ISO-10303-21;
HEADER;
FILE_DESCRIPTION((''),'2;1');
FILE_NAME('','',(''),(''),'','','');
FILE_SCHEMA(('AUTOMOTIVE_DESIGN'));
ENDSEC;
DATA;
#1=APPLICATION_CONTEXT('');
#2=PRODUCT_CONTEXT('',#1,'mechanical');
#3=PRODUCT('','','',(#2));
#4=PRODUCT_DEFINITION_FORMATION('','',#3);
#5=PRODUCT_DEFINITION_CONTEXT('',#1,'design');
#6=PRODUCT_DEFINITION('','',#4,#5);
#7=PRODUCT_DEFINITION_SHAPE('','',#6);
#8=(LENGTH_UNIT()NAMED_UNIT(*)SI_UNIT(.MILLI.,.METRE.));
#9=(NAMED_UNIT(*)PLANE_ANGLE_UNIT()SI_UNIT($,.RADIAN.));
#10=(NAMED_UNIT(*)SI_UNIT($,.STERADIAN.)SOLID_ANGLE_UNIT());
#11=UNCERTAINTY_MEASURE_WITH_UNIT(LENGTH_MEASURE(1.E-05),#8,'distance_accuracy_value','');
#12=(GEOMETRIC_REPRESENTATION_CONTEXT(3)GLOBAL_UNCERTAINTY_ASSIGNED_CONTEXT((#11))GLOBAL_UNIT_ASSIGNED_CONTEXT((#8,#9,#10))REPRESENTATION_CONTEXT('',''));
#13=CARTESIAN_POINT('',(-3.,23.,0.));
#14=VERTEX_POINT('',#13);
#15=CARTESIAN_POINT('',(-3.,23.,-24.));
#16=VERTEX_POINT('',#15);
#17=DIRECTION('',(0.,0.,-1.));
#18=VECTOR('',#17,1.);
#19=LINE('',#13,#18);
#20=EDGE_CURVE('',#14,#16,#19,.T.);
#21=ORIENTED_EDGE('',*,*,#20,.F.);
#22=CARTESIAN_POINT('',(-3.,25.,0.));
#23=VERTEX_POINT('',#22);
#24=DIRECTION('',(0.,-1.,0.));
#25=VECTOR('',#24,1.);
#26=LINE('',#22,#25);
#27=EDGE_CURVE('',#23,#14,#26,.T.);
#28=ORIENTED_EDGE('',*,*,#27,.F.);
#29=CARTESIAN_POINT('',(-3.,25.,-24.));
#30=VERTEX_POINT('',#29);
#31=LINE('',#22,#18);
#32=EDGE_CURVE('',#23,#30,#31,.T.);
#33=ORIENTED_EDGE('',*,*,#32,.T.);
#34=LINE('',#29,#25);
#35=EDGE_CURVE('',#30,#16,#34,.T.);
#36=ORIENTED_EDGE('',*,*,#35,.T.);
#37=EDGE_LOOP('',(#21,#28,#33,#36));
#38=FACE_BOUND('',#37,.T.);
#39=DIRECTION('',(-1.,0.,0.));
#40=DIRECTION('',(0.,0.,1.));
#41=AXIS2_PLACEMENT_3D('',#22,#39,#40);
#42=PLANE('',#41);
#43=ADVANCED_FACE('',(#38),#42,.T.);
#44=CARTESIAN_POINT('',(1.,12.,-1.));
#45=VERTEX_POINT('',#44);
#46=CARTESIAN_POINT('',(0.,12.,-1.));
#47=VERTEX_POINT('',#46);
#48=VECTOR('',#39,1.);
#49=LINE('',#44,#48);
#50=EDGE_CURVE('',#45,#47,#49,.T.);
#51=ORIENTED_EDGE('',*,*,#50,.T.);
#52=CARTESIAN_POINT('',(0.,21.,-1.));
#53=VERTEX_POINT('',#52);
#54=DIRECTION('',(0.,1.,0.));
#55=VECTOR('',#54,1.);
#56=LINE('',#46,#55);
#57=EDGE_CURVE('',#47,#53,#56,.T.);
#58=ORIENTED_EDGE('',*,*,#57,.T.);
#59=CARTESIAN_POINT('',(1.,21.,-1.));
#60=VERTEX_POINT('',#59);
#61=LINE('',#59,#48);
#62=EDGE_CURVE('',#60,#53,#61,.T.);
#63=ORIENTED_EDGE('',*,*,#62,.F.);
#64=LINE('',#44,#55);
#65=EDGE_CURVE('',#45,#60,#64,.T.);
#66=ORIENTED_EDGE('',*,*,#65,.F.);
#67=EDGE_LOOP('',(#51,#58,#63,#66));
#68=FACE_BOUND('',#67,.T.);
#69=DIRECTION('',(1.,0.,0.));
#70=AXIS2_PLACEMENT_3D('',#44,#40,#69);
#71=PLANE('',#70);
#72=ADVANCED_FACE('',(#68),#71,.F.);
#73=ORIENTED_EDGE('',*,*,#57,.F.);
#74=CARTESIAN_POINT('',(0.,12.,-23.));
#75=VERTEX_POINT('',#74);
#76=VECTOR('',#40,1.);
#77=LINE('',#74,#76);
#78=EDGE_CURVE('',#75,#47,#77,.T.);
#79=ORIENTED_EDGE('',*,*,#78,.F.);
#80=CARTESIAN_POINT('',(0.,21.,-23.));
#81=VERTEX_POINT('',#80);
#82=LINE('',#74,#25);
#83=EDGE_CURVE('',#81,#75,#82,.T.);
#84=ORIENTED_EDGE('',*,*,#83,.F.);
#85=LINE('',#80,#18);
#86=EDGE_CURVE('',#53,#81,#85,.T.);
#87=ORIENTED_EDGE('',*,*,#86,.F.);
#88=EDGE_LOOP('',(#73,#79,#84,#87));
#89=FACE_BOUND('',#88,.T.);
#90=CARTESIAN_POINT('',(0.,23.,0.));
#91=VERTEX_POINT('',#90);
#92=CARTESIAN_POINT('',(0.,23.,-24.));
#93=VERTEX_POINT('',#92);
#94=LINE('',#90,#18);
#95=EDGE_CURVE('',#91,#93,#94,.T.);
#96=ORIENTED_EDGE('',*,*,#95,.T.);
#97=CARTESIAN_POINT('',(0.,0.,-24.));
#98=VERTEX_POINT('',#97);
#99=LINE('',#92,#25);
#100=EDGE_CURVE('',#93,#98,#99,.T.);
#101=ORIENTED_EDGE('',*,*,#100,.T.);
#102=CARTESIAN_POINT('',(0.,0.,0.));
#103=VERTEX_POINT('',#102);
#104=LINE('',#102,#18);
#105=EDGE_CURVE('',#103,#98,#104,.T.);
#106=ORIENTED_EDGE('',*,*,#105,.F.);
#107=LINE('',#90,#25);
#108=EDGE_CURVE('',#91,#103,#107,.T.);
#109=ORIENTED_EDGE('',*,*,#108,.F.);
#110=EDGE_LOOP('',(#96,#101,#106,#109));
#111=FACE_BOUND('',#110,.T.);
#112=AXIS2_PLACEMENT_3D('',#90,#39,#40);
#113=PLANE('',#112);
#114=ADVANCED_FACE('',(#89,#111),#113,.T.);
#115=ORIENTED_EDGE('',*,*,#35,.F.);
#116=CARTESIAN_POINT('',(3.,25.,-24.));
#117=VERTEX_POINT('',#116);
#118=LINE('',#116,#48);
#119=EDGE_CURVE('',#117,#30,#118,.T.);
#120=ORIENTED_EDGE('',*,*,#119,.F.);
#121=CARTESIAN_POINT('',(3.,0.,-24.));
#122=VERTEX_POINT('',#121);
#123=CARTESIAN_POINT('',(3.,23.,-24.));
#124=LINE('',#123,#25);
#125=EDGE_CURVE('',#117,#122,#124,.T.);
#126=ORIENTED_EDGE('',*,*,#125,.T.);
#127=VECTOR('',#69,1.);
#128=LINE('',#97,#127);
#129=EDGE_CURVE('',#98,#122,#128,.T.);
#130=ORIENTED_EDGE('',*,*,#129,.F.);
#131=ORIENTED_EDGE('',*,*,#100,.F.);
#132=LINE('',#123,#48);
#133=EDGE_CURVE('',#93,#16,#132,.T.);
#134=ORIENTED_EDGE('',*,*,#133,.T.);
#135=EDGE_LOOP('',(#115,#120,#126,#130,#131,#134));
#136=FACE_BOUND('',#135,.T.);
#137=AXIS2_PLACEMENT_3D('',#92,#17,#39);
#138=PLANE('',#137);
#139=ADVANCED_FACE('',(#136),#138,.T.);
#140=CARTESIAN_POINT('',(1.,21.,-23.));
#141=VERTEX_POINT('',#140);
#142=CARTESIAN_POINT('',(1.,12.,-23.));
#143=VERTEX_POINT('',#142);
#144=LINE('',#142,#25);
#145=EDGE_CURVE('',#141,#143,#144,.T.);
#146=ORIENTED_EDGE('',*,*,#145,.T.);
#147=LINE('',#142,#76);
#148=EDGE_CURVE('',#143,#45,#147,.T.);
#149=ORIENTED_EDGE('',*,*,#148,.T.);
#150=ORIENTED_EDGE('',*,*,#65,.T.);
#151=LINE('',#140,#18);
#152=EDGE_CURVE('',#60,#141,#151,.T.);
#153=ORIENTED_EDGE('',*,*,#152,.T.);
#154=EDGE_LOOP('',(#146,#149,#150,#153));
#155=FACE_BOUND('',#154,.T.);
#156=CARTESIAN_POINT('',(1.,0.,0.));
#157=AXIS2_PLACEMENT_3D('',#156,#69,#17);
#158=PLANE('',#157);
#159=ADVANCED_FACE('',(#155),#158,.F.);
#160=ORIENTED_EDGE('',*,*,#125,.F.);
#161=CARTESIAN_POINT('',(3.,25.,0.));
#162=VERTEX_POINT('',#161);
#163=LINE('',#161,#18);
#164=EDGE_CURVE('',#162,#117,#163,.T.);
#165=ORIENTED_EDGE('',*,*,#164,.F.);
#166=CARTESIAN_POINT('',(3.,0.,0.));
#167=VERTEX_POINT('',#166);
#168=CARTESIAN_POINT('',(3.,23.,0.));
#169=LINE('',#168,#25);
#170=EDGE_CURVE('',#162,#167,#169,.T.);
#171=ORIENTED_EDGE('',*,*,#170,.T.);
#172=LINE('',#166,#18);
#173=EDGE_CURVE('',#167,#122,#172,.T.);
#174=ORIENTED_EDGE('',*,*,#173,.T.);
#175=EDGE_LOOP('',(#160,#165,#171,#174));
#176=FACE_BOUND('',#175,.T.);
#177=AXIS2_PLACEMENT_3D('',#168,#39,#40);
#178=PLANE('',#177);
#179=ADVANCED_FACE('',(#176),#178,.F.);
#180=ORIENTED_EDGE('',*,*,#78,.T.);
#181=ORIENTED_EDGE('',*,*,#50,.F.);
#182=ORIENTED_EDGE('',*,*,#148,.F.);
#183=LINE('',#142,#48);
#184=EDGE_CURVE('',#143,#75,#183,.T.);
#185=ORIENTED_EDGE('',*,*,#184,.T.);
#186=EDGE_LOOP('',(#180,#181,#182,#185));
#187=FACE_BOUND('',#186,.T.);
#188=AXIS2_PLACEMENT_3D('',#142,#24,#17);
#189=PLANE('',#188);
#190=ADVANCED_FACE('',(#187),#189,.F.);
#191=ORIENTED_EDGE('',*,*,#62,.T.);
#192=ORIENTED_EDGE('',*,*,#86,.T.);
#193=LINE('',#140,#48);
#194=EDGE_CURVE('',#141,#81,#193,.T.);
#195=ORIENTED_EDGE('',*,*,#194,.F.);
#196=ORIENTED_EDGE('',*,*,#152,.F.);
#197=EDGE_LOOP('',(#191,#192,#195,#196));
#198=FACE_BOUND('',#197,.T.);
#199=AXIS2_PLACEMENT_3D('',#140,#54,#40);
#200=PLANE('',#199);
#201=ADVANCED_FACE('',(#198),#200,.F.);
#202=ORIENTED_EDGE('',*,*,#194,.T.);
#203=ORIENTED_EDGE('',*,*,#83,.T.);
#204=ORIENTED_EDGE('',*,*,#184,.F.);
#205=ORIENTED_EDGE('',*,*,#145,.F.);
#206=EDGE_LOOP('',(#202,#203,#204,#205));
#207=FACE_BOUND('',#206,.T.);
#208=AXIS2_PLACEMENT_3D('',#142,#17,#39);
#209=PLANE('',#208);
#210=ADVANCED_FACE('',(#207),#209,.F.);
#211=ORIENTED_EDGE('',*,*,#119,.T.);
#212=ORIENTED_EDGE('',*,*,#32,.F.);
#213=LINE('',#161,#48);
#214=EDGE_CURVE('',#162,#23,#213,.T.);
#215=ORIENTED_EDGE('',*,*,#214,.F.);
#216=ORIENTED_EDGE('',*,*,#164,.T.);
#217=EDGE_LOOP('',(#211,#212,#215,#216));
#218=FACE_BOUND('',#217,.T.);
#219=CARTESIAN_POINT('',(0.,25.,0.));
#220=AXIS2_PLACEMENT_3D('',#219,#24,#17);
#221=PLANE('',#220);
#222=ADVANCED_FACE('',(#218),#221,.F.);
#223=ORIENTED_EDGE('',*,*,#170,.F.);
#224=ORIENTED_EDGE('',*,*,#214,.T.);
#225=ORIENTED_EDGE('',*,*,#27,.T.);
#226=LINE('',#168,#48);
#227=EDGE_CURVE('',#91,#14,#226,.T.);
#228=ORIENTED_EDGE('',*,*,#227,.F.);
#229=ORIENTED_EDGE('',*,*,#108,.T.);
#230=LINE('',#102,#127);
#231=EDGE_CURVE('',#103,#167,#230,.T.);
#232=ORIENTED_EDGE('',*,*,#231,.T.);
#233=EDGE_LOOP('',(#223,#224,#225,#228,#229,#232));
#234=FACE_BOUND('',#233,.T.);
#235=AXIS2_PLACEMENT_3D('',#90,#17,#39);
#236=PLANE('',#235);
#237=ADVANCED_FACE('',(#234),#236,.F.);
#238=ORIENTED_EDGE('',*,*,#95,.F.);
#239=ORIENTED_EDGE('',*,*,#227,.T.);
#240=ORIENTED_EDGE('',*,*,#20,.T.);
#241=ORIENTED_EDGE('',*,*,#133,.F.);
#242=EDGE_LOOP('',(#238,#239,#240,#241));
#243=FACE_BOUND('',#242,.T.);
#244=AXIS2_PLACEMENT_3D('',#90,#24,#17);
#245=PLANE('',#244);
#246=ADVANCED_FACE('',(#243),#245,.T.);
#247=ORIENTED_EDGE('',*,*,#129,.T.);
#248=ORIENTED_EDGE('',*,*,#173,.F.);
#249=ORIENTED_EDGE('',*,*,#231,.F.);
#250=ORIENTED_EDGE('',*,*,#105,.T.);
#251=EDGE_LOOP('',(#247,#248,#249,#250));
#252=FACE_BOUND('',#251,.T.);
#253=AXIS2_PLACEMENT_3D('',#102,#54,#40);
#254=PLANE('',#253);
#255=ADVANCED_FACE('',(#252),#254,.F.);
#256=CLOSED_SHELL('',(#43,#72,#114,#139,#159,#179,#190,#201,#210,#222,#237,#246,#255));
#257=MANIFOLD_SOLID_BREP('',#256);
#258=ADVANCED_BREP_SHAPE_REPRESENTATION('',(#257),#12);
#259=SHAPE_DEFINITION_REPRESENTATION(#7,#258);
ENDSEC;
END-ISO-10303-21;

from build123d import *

# Parameters (mm, degrees)
SKETCH1_W           = 3
SKETCH1_H           = 24
BOSS_EXTRUDE1_DEPTH = 23
SKETCH2_W           = 6
SKETCH2_H           = 24
BOSS_EXTRUDE2_DEPTH = 2
SKETCH3_W           = 22
SKETCH3_H           = 9
CUT_EXTRUDE1_DEPTH  = 1


with BuildPart() as part:
    # Sketch1 → Boss-Extrude1 (new body)
    with BuildSketch(Plane(origin=(0, 0, 0), x_dir=(1, 0, 0), z_dir=(0, 1, 0))):
        with Locations((1.5, 12)):
            Rectangle(SKETCH1_W, SKETCH1_H)
    extrude(amount=BOSS_EXTRUDE1_DEPTH)

    # Sketch2 → Boss-Extrude2 (add)
    with BuildSketch(Plane(origin=(0, 23, 0), x_dir=(1, 0, 0), z_dir=(0, 1, 0))):
        with Locations((0, 12)):
            Rectangle(SKETCH2_W, SKETCH2_H)
    extrude(amount=BOSS_EXTRUDE2_DEPTH)

    # Sketch3 → Cut-Extrude1 (cut)
    with BuildSketch(Plane.ZY):
        with Locations((-12, 16.5)):
            Rectangle(SKETCH3_W, SKETCH3_H)
    extrude(amount=-CUT_EXTRUDE1_DEPTH, mode=Mode.SUBTRACT)


solid = part.part
